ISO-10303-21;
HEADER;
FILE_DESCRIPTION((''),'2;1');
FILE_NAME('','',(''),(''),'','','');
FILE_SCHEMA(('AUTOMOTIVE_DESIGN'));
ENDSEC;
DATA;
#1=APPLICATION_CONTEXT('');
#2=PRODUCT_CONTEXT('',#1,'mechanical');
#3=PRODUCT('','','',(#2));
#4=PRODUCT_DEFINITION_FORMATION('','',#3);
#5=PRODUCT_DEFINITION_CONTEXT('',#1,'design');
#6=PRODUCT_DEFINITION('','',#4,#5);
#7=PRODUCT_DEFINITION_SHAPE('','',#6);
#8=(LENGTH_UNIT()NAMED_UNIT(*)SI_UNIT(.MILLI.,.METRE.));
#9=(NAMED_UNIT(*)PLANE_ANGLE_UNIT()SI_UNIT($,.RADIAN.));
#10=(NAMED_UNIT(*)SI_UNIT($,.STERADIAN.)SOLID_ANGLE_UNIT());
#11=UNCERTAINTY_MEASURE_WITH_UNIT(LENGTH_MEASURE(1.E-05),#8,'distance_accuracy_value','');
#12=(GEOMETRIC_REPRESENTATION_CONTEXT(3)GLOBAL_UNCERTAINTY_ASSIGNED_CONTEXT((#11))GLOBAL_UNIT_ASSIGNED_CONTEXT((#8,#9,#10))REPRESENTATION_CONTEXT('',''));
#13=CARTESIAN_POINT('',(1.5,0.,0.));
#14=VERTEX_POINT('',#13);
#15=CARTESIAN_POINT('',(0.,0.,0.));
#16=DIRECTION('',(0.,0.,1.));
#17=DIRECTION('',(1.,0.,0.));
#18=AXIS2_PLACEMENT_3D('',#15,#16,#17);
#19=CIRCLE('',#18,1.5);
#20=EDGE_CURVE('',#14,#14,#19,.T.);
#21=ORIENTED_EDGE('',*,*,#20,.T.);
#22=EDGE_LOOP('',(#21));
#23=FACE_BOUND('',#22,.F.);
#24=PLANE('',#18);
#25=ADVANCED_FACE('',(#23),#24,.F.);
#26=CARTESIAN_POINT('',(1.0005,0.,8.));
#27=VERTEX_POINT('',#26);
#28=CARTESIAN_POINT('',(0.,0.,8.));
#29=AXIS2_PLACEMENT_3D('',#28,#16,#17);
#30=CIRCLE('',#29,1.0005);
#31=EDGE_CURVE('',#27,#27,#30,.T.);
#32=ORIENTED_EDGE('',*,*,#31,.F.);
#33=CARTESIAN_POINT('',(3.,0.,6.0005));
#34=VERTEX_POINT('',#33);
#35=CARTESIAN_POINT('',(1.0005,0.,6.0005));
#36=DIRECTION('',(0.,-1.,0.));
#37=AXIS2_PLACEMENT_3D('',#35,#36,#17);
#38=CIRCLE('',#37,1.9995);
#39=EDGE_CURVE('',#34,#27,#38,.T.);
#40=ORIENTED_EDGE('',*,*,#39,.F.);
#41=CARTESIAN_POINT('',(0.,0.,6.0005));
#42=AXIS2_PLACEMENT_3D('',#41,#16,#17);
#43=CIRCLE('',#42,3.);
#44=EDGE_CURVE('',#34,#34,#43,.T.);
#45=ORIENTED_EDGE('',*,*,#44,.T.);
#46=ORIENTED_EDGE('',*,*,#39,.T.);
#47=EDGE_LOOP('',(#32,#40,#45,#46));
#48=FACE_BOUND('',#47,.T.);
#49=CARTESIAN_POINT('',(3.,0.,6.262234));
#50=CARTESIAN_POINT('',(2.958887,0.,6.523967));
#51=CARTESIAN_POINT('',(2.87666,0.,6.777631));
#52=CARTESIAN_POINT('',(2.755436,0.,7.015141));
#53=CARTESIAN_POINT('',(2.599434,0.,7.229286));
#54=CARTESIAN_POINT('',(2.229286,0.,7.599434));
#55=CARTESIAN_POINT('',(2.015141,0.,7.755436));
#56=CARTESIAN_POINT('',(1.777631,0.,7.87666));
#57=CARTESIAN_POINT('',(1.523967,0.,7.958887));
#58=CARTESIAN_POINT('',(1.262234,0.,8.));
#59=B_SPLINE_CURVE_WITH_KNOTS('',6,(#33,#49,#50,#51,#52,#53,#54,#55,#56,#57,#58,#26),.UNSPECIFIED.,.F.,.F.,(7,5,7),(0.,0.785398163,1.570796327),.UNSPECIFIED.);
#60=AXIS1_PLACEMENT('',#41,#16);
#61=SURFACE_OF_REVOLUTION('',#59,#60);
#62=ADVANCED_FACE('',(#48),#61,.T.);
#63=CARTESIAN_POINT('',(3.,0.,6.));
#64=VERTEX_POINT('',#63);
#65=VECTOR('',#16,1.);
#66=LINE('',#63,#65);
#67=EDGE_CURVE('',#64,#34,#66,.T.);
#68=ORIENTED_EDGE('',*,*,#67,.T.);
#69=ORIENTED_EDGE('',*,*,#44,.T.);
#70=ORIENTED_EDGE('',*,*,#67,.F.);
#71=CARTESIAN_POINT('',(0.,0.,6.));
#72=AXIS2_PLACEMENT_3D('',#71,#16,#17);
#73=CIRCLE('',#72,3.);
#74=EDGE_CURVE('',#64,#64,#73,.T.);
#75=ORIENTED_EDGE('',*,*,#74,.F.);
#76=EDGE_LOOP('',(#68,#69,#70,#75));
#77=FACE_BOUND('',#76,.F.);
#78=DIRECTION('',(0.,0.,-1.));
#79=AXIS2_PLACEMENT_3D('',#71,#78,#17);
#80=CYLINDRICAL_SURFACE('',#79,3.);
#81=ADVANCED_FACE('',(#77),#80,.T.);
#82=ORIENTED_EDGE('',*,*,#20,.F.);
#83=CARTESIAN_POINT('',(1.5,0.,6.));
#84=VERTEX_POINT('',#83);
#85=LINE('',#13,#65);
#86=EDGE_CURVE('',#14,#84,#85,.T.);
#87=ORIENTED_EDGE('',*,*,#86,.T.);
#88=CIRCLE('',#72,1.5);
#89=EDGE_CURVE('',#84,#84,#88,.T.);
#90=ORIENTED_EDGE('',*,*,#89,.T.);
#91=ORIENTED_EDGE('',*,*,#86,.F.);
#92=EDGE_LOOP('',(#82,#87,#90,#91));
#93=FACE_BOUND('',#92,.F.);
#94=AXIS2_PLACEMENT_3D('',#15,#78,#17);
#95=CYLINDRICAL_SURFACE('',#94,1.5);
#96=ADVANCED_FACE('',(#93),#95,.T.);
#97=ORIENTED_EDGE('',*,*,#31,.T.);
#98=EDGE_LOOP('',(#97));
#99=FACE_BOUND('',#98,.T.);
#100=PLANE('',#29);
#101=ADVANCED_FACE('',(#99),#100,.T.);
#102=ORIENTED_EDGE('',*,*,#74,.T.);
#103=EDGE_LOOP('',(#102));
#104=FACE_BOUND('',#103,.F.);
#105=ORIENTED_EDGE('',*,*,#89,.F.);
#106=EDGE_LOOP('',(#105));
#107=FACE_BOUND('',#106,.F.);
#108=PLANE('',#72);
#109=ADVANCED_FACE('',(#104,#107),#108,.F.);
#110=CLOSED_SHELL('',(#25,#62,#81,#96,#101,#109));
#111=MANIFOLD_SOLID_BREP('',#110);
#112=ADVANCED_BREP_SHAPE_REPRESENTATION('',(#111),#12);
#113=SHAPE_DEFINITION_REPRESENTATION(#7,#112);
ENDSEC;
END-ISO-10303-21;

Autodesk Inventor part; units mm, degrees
ref_plane "YZ Plane" through (0, 0, 0) normal (1, 0, 0) x (0, 1, 0)
ref_plane "XZ Plane" through (0, 0, 0) normal (0, 1, 0) x (-1, 0, 0)
ref_plane "XY Plane" through (0, 0, 0) normal (0, 0, 1) x (1, 0, 0)
sketch "スケッチ1" plane through (0, 0, 0) normal (0, 0, 1) x (1, 0, 0)
  circle A0 centre (0, 0) radius 1.5
  dimension "d0" = 3
extrude "押し出し1" add sketch "スケッチ1" along normal blind 6
sketch "スケッチ2" plane through (0, 0, 6) normal (0, 0, 1) x (1, 0, 0)
  circle A0 centre (0, 0) radius 1.5 projected
  circle A1 centre (0, 0) radius 3
  dimension "d3" = 6
extrude "押し出し2" add sketch "スケッチ2" along normal blind 2 contours A0 | A1
fillet "フィレット1" radius 2 1 edges at (-3, 0, 8)
properties part number "M3ボタンボルト6" material "鋼、高強度、低合金"
